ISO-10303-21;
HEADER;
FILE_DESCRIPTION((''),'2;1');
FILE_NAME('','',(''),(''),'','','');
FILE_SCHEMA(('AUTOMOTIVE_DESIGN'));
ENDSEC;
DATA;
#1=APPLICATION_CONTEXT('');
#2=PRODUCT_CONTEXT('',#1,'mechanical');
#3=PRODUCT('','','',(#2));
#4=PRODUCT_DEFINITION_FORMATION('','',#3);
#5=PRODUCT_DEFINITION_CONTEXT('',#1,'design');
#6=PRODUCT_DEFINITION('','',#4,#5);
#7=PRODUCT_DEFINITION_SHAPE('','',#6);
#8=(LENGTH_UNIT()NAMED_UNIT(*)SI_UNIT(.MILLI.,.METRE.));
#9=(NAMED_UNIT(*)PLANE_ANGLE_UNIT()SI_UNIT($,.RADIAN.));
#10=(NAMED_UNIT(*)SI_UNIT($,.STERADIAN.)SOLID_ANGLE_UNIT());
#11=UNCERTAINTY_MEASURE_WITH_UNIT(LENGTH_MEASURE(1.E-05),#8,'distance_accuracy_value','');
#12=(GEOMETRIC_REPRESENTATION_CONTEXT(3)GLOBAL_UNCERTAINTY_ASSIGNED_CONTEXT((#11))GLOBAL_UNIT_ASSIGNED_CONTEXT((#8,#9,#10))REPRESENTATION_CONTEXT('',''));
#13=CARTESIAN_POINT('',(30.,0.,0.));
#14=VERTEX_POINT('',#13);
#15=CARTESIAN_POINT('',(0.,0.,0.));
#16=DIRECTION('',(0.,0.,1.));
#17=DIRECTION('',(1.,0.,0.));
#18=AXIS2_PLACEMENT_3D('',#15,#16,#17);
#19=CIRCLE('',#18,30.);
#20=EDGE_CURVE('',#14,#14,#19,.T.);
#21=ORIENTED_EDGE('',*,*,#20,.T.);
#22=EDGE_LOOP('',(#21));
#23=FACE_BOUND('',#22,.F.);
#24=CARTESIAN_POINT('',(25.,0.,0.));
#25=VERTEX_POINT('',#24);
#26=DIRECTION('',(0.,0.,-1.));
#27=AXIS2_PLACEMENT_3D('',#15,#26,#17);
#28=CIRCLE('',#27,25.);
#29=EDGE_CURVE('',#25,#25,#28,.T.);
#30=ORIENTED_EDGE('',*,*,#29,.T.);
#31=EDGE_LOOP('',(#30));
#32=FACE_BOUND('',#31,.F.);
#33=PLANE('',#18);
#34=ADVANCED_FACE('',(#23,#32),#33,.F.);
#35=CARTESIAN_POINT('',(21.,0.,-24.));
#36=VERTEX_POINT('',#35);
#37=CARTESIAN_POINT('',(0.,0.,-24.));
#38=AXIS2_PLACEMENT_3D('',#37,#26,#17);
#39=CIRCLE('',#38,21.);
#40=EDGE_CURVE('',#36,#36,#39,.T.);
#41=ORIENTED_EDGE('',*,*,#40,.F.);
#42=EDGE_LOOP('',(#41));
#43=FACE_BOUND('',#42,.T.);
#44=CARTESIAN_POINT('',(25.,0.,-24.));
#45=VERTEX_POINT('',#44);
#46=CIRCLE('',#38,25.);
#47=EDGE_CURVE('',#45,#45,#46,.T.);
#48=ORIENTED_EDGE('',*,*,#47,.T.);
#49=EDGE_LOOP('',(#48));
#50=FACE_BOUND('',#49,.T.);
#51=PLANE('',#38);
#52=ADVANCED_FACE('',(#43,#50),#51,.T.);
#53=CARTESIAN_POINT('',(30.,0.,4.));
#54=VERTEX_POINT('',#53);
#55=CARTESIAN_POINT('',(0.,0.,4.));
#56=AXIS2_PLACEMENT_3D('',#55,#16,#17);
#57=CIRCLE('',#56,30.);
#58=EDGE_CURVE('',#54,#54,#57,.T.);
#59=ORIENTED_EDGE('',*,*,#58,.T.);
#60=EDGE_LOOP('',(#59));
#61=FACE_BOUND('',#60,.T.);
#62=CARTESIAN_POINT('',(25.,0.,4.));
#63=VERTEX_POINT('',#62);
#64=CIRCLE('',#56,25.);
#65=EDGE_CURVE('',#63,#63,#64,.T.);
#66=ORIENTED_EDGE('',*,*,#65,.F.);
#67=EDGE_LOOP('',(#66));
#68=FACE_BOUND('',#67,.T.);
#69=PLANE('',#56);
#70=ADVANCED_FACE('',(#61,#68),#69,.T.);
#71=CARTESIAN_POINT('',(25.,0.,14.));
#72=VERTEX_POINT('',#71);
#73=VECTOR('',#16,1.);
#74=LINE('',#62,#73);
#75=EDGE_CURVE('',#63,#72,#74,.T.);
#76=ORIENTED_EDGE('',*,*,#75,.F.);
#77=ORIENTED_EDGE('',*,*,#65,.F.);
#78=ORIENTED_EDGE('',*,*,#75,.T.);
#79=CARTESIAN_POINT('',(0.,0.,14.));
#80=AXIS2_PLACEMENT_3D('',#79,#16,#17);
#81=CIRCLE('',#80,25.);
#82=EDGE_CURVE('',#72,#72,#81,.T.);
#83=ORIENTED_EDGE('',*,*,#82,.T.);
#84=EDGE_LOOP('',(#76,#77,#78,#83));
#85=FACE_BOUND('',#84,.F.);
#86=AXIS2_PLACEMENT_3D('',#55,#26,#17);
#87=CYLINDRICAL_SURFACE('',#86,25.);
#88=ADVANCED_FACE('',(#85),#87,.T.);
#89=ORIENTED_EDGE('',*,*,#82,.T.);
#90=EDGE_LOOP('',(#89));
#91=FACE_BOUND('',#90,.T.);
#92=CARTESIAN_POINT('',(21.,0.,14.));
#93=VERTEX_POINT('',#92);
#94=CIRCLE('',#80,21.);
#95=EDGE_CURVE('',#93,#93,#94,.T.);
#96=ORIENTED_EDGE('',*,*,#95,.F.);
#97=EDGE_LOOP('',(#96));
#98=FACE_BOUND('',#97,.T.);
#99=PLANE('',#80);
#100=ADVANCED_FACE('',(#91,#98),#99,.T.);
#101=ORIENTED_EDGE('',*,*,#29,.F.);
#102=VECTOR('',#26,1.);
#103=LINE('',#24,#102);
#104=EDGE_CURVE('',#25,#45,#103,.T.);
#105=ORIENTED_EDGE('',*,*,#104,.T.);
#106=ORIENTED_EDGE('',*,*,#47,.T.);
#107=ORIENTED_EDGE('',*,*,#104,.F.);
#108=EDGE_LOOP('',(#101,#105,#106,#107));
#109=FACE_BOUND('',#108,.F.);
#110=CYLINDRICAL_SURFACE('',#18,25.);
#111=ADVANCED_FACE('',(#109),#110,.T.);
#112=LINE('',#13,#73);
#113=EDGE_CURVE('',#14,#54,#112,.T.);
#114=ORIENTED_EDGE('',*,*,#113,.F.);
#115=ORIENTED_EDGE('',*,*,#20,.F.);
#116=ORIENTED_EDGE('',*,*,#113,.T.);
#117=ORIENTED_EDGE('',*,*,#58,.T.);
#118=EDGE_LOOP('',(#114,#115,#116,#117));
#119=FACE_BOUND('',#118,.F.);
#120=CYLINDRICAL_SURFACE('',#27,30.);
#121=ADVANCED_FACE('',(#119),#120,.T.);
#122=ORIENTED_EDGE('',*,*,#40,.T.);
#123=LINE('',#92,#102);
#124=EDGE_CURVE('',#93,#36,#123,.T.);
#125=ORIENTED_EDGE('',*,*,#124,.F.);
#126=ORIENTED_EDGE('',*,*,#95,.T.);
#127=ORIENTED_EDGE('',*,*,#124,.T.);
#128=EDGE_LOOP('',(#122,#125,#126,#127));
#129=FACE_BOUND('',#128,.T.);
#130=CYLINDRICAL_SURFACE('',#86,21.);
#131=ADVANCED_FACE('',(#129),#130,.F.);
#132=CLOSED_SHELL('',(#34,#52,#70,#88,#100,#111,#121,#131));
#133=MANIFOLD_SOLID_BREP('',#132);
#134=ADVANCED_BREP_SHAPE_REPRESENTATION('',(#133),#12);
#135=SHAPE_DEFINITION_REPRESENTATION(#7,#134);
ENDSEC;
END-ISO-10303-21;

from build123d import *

# Parameters (mm, degrees)
SKETCH_R      = 30
SKETCH_R_2    = 21
PAD_DEPTH     = 4
SKETCH001_R   = 25
SKETCH001_R_2 = 21
PAD001_DEPTH  = 24
SKETCH002_R   = 25
SKETCH002_R_2 = 21
PAD002_DEPTH  = 10


with BuildPart() as part:
    # Sketch → Pad (new body)
    with BuildSketch(Plane.XY):
        Circle(SKETCH_R)
        Circle(SKETCH_R_2, mode=Mode.SUBTRACT)
    extrude(amount=PAD_DEPTH)

    # Sketch001 (on Face3 of Pad) → Pad001 (join)
    with BuildSketch(Plane(origin=(0, 0, 0), x_dir=(1, 0, 0), z_dir=(0, 0, -1))):
        Circle(SKETCH001_R)
        Circle(SKETCH001_R_2, mode=Mode.SUBTRACT)
    extrude(amount=PAD001_DEPTH)

    # Sketch002 (on Face3 of Pad001) → Pad002 (join)
    with BuildSketch(Plane.XY.offset(4)):
        Circle(SKETCH002_R)
        Circle(SKETCH002_R_2, mode=Mode.SUBTRACT)
    extrude(amount=PAD002_DEPTH)


solid = part.part
